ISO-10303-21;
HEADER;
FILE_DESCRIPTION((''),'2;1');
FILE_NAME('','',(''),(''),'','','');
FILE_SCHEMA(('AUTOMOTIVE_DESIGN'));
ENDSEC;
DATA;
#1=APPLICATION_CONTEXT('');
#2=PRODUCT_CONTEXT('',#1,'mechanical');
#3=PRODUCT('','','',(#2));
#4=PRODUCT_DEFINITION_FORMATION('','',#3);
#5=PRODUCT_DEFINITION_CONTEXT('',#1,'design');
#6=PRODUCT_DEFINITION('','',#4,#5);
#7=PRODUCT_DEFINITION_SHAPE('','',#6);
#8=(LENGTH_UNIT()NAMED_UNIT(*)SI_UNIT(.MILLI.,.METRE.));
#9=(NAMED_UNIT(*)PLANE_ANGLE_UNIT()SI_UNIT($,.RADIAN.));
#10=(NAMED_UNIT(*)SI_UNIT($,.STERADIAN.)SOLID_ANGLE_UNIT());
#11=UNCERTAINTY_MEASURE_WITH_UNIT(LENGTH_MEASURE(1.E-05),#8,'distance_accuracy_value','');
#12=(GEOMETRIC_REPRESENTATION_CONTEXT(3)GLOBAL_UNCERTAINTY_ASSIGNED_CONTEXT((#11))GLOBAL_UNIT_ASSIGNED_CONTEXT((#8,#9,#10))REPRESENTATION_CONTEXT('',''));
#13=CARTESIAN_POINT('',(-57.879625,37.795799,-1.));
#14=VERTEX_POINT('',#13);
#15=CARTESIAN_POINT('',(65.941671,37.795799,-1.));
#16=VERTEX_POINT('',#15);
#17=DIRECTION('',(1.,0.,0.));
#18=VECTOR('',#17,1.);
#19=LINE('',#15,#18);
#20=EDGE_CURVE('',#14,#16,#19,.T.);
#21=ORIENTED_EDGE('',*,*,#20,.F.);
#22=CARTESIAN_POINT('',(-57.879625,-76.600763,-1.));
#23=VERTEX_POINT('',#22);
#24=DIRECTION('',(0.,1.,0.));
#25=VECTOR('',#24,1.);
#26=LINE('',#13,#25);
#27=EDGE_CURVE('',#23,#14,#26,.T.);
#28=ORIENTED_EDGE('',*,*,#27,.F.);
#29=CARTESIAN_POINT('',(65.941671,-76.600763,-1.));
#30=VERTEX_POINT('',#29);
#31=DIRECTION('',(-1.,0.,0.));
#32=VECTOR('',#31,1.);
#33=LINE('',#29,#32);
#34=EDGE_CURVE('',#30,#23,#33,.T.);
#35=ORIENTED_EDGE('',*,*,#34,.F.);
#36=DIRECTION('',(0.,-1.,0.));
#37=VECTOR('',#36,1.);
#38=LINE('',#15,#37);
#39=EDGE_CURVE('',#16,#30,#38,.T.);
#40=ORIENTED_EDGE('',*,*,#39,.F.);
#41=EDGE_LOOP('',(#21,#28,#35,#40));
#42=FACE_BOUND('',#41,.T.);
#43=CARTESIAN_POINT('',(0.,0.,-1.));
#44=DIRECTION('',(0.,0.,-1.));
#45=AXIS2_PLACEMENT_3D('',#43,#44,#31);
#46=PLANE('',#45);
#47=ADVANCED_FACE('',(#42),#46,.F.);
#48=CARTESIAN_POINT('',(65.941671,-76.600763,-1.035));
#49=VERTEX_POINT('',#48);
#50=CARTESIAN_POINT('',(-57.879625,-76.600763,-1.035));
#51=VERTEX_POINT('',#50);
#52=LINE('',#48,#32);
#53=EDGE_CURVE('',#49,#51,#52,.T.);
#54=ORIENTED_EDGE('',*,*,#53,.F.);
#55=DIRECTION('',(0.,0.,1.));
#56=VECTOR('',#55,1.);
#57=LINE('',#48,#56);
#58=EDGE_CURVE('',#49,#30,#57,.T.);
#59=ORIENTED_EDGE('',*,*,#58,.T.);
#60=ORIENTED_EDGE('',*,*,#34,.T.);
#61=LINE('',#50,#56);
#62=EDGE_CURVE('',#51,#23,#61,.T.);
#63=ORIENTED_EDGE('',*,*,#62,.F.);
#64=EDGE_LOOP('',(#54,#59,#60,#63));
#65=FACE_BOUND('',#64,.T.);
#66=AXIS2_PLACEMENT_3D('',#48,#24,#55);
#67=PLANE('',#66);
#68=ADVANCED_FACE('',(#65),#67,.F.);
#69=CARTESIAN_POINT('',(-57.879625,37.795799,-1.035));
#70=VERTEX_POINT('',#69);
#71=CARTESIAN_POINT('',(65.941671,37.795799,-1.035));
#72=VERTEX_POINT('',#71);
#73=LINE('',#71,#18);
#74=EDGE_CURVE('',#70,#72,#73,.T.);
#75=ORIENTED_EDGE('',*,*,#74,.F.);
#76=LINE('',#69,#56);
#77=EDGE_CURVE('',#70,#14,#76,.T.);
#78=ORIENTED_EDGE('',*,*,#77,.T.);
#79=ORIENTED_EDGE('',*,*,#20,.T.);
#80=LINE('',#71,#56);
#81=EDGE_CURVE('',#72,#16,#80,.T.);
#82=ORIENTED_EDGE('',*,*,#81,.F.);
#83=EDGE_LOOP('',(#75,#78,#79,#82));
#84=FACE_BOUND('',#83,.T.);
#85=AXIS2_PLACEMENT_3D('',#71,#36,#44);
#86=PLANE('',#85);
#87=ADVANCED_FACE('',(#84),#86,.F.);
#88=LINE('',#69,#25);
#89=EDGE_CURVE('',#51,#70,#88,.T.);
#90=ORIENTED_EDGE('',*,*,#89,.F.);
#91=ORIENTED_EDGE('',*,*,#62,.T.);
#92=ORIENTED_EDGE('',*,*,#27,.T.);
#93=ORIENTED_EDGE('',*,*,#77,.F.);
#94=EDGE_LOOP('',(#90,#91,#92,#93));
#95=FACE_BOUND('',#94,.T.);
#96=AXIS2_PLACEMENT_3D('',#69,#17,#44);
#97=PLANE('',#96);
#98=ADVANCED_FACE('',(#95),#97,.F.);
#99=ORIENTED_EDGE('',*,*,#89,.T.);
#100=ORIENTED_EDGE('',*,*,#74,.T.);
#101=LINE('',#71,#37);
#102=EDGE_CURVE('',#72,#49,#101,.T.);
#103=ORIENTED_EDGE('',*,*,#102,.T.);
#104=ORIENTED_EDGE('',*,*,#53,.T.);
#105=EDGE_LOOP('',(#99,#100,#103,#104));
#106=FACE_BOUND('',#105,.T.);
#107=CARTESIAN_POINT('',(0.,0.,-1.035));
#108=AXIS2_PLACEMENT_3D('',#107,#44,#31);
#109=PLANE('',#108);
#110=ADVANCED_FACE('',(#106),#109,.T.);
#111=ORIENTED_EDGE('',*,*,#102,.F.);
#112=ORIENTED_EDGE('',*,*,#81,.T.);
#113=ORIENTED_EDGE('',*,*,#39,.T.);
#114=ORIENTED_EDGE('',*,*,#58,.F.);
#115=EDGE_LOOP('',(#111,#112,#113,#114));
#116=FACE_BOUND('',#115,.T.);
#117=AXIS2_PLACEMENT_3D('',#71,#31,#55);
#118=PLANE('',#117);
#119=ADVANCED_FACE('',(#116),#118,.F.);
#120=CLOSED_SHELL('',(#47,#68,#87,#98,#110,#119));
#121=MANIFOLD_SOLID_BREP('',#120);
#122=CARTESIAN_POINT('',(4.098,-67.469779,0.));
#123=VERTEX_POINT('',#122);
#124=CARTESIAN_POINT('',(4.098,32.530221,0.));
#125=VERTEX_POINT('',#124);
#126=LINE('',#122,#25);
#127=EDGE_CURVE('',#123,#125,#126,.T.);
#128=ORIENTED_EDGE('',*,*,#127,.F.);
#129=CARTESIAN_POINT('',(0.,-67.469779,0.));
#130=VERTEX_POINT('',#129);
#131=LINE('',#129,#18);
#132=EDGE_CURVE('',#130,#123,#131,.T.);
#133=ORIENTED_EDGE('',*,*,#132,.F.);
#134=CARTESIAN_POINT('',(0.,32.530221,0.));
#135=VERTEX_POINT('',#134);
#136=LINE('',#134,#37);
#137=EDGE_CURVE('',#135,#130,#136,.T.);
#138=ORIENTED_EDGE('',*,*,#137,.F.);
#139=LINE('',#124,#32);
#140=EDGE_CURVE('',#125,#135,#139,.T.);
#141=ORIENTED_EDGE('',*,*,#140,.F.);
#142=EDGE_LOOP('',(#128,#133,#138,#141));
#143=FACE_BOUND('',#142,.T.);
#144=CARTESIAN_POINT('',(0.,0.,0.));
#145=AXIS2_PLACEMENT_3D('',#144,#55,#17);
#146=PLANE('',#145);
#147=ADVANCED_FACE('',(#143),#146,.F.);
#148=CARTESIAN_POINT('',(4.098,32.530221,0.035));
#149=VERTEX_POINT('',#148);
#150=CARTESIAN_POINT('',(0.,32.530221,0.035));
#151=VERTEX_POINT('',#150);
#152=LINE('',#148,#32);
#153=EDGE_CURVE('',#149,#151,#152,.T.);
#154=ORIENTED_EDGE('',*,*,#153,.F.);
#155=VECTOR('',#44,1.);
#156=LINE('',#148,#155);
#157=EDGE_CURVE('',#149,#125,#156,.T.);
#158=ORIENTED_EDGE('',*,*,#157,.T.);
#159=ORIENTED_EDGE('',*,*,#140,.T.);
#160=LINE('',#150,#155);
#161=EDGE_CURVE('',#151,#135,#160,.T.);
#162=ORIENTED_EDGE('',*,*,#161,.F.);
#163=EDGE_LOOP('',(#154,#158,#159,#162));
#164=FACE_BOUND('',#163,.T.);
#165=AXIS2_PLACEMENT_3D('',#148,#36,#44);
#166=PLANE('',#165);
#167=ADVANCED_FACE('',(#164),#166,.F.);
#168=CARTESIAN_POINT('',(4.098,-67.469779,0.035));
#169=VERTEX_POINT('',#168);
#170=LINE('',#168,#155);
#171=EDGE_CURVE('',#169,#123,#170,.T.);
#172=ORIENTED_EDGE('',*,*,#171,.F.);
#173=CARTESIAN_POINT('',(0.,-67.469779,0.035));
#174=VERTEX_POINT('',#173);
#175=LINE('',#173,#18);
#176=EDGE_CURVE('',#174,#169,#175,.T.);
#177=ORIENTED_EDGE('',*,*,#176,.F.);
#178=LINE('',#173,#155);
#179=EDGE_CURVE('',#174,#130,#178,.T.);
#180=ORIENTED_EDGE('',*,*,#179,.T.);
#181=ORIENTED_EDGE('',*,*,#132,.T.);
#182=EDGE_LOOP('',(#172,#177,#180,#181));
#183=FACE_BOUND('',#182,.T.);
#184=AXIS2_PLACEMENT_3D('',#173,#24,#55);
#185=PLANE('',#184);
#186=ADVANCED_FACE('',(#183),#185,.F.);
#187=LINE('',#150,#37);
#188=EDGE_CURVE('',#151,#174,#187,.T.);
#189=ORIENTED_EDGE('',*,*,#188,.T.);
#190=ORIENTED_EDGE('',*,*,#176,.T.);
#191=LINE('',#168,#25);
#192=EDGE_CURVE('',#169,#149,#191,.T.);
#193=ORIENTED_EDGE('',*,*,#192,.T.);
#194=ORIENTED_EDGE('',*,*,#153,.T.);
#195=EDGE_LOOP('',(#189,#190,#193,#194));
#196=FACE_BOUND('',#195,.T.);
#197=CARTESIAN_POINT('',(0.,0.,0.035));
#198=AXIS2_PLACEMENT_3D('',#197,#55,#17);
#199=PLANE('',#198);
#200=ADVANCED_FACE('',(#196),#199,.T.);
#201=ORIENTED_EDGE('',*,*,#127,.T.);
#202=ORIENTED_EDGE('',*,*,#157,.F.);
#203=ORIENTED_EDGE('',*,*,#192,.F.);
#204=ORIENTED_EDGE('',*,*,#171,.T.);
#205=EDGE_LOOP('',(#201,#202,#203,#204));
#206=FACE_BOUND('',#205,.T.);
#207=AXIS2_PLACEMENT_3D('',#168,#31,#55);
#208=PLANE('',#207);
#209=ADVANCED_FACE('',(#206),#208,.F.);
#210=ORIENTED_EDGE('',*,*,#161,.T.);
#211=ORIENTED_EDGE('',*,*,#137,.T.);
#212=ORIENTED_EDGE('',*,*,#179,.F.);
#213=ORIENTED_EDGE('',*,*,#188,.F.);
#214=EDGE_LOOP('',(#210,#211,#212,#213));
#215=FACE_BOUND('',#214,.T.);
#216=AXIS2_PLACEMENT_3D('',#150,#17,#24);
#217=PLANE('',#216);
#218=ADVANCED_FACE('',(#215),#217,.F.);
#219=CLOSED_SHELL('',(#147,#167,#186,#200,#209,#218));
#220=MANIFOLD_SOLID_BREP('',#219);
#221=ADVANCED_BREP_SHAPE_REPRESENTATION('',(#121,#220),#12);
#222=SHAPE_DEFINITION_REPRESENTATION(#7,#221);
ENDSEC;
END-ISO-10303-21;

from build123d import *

# Parameters (mm, degrees)
SKETCH_2_W      = 4.098
SKETCH_2_H      = 100
EXTRUDE_1_DEPTH = 0.035
SKETCH_6_W      = 123.821295425
SKETCH_6_H      = 114.396561675
EXTRUDE_4_DEPTH = 0.035


with BuildPart() as part:
    # Эскиз2 → Бобышка-Вытянуть1 (new body)
    with BuildSketch(Plane.XY):
        with Locations((2.049, -17.469779106)):
            Rectangle(SKETCH_2_W, SKETCH_2_H)
    extrude(amount=EXTRUDE_1_DEPTH)


with BuildPart() as body_2:
    # Эскиз6 → Бобышка-Вытянуть4 (new body)
    with BuildSketch(Plane(origin=(0, 0, -1), x_dir=(-1, 0, 0), z_dir=(0, 0, -1))):
        with Locations((-4.031023099, -19.402482236)):
            Rectangle(SKETCH_6_W, SKETCH_6_H)
    extrude(amount=EXTRUDE_4_DEPTH)


solid = Compound([part.part, body_2.part])
